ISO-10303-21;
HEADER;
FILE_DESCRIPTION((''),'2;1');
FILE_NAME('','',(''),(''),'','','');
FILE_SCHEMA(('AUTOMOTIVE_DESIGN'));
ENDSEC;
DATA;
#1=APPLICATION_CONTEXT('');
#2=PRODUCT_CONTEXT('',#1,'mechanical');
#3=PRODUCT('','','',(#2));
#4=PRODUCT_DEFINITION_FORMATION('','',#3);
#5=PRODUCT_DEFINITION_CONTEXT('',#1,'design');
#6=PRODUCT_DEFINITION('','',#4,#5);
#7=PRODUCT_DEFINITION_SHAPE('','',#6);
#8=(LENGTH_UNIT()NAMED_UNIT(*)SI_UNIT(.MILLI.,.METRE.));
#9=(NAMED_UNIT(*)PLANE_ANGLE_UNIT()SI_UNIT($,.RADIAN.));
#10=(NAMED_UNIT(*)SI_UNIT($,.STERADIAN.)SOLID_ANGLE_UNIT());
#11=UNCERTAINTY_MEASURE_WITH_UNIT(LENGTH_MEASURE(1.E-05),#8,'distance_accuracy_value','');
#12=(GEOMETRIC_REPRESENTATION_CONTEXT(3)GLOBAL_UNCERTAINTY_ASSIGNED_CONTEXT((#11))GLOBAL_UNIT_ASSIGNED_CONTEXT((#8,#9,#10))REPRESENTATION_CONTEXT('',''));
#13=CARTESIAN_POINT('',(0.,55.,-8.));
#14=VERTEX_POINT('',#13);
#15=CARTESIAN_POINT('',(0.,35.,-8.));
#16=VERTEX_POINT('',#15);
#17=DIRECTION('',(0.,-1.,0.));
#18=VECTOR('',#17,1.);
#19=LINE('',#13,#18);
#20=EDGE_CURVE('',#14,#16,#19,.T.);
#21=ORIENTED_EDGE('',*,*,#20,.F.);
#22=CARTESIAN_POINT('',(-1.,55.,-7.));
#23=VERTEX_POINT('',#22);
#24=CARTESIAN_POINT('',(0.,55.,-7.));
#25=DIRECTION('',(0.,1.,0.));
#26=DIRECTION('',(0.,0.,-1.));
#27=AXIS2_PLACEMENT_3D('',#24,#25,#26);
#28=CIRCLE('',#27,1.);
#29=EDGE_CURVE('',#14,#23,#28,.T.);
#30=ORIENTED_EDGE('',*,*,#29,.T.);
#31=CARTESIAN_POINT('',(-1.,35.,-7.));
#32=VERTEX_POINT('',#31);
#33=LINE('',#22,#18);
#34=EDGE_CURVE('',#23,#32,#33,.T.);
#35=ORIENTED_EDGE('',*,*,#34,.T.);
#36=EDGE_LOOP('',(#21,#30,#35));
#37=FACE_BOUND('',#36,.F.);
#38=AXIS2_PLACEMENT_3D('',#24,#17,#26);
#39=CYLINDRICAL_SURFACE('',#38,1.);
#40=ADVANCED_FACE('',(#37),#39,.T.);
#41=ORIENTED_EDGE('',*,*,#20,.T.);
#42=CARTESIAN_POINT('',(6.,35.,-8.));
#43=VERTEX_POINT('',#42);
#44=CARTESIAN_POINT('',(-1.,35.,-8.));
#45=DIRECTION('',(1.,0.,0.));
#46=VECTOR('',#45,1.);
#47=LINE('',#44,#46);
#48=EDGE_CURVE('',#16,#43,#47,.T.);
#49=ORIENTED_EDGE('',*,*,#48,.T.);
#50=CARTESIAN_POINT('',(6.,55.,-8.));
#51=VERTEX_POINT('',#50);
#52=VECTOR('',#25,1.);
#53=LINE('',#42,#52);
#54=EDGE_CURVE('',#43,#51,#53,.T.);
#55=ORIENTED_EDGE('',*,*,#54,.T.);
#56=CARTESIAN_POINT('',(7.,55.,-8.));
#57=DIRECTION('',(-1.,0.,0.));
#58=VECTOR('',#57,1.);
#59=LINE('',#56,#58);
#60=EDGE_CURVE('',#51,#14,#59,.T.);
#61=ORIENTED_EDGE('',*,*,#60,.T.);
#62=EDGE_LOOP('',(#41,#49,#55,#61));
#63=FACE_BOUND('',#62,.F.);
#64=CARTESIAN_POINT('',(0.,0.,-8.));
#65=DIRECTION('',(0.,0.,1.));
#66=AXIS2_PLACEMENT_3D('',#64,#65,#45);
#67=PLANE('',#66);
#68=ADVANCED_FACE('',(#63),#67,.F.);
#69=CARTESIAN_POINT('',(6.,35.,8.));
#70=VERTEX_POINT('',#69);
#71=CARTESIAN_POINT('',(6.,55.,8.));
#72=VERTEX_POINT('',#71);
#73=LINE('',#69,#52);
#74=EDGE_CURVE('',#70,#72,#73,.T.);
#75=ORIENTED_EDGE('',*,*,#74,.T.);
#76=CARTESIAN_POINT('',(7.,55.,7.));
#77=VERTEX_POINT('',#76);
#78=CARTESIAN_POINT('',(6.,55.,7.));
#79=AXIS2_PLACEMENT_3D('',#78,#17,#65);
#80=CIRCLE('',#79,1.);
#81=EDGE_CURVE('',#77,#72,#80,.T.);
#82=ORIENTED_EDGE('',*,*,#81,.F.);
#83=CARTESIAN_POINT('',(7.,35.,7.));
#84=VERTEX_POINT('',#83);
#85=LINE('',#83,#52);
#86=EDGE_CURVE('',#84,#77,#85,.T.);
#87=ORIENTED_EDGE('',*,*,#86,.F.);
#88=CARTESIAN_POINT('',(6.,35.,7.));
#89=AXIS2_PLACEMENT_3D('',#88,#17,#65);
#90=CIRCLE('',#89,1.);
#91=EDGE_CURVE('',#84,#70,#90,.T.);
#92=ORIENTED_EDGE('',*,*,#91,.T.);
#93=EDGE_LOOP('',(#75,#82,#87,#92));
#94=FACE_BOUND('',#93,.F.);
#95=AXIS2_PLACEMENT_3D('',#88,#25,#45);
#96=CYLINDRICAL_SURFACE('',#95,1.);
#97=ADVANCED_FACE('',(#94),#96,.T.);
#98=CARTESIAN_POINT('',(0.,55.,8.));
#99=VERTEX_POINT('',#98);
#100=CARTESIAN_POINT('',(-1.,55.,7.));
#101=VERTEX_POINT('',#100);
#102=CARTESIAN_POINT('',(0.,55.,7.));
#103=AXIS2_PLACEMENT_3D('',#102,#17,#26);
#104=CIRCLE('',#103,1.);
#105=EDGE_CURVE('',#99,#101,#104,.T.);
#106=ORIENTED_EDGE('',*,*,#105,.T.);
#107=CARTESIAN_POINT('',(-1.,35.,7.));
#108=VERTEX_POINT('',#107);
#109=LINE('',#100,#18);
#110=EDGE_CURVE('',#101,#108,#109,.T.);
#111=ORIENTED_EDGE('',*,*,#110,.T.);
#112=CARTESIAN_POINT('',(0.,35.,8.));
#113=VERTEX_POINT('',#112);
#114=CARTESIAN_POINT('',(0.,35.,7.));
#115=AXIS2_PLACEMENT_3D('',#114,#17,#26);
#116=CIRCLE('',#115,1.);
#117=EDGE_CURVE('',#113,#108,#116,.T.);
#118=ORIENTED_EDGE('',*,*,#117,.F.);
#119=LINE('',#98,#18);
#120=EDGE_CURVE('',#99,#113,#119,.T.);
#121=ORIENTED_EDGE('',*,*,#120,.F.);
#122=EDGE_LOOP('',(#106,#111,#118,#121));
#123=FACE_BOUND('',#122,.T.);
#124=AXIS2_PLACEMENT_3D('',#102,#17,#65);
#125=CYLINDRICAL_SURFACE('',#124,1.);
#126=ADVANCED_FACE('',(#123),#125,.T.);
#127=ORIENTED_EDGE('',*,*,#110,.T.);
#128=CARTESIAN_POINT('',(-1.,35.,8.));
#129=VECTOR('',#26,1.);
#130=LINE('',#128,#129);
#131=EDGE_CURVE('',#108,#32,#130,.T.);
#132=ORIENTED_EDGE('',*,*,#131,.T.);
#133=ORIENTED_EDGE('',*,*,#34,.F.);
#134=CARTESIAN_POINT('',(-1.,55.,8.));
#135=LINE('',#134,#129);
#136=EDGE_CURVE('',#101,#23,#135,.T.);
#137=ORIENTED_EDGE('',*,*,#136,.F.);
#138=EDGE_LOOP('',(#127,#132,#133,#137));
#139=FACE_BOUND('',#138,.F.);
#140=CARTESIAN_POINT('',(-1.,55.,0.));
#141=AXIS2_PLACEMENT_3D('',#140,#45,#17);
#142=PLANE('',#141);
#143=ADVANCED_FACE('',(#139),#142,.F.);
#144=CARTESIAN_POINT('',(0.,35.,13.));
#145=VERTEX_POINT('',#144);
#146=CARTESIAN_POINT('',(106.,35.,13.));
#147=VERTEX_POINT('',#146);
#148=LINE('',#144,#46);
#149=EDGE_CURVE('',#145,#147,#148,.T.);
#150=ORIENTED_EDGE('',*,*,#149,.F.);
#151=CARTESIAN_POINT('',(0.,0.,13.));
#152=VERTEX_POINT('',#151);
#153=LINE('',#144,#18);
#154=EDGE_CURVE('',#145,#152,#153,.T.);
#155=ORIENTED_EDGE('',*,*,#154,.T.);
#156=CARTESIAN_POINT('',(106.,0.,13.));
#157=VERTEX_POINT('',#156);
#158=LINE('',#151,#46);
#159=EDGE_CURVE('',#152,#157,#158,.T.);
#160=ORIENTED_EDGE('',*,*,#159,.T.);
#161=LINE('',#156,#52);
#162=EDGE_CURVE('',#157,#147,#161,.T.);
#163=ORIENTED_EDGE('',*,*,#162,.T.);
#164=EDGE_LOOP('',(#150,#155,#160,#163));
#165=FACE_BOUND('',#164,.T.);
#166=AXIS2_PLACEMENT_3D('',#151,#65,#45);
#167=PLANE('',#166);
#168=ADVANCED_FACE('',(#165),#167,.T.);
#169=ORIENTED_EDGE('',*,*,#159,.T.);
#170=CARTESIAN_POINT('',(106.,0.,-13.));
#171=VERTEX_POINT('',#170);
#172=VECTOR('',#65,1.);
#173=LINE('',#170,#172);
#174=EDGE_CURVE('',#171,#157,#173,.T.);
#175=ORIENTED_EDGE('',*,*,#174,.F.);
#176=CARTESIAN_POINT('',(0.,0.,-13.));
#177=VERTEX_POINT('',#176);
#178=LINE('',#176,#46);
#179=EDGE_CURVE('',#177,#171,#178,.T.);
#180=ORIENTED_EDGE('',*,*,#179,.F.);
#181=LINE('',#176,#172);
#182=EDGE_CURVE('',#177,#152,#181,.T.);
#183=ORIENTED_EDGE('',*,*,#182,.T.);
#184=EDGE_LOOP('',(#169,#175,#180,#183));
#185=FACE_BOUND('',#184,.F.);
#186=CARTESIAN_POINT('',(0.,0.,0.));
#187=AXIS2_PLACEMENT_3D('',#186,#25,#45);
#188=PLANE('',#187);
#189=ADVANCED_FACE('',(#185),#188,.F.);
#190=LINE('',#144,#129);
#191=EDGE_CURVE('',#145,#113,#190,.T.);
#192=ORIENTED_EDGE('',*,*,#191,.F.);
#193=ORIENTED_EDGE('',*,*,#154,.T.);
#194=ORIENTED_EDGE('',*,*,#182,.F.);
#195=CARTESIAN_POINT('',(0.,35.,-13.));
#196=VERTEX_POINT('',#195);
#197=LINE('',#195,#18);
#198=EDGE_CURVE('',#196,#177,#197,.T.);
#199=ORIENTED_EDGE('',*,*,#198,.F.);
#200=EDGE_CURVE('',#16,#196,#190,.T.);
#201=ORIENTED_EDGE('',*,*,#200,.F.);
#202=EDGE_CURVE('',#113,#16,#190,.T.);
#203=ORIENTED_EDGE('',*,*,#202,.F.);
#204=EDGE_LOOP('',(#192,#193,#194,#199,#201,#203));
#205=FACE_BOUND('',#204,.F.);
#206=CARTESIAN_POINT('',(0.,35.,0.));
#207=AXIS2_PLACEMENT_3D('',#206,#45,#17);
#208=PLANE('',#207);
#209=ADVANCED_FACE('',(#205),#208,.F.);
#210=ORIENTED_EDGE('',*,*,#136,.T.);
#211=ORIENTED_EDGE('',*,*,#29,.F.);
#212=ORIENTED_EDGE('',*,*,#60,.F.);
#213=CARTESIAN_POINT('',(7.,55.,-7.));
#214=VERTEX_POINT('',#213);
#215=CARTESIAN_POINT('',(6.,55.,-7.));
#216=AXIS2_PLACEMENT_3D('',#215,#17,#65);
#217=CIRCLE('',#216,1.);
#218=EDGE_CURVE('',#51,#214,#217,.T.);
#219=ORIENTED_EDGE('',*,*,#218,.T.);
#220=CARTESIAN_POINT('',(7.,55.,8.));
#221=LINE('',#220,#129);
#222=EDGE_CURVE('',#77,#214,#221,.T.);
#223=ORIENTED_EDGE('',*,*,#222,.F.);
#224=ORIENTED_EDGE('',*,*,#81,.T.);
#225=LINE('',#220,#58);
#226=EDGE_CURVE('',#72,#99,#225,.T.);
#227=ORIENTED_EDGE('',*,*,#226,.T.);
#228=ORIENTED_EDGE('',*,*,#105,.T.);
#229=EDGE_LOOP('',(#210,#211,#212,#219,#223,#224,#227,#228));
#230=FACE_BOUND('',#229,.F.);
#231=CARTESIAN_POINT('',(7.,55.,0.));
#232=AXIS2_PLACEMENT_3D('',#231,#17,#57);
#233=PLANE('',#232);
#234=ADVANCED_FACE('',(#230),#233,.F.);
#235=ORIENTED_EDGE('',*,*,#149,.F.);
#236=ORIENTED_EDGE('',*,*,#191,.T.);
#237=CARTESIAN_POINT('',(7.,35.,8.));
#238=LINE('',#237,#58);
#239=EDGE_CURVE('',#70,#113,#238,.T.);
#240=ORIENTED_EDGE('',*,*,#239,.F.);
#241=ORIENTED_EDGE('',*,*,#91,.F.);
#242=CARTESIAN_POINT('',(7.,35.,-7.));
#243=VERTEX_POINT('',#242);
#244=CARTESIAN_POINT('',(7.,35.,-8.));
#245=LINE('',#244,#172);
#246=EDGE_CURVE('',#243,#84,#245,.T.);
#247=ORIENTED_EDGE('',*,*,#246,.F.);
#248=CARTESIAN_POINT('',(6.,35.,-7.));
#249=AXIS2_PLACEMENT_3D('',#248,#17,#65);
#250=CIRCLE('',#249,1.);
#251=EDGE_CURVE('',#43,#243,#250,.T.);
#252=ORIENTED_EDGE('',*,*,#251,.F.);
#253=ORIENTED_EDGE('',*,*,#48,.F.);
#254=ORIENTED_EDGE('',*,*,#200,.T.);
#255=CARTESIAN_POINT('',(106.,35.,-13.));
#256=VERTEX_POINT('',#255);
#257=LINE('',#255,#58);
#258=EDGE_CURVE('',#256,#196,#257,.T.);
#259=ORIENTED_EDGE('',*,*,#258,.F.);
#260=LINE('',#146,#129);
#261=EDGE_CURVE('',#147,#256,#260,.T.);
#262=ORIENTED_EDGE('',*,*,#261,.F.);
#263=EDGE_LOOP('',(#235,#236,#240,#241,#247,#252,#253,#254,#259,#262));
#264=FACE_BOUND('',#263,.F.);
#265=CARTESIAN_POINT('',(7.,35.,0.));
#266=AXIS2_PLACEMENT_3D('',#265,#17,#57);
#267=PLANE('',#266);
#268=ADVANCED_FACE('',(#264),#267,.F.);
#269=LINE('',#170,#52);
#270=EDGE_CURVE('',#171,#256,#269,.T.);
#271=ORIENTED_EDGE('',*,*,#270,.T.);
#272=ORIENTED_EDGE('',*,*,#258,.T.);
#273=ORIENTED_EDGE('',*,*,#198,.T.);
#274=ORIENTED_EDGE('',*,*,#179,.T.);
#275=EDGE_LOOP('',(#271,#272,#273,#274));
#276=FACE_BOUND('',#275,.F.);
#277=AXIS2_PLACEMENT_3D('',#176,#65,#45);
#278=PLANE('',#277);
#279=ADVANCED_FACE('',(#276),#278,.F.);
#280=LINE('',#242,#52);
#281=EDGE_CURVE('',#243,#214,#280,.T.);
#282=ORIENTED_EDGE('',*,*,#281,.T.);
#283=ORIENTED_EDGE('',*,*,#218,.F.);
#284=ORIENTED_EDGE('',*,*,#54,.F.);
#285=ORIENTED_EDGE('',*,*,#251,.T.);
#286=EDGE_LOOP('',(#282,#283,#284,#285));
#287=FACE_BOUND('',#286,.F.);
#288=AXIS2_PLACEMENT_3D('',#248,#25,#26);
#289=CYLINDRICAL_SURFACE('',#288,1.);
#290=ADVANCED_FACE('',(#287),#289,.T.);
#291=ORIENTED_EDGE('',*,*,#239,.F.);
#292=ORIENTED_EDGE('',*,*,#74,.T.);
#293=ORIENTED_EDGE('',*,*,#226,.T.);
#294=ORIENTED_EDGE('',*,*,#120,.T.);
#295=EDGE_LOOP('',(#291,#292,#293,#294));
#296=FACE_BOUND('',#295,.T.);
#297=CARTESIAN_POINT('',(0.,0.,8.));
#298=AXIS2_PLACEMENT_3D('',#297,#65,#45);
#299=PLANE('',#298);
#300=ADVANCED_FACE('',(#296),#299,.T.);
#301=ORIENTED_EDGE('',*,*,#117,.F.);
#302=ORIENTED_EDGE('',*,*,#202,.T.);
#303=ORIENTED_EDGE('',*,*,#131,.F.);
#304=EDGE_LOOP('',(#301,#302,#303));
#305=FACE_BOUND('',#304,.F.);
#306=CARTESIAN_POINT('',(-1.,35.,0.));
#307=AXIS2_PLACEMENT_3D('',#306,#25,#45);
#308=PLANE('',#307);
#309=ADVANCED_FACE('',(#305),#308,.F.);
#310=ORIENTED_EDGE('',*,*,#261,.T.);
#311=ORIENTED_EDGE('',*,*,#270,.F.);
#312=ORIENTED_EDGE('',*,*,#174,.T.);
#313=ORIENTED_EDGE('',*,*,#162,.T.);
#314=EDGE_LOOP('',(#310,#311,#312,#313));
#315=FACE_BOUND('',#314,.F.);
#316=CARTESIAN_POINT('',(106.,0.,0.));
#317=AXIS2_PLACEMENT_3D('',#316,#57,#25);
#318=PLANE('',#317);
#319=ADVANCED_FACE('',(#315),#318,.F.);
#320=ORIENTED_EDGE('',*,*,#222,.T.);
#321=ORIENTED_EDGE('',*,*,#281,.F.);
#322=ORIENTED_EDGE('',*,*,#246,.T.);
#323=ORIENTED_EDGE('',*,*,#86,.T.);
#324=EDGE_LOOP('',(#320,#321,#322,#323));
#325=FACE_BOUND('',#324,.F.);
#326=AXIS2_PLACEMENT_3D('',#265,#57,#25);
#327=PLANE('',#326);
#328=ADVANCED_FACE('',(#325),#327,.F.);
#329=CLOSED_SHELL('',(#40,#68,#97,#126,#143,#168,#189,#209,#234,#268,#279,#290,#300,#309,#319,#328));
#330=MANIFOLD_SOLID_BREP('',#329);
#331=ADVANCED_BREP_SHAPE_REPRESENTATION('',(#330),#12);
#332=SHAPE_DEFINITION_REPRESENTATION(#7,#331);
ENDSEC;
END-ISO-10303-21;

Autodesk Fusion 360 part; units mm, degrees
sketch "Sketch1" plane through (0, 0, 0) normal (0, 0, 1) x (1, 0, 0)
  line L0 (0, 0) -> (106, 0)
  line L1 (106, 0) -> (106, 35)
  line L2 (106, 35) -> (0, 35)
  line L3 (0, 35) -> (0, 0)
  line L4 (-1, 35) -> (7, 35)
  line L5 (7, 35) -> (7, 55)
  line L6 (7, 55) -> (-1, 55)
  line L7 (-1, 55) -> (-1, 35)
  dimension "d1" = 106
  dimension "d2" = 35
  dimension "d3" = 8
  dimension "d4" = 20
  dimension "d5" = 1
extrude "Extrude1" add sketch "Sketch1" along normal mid plane 26 contours L0 L1 L2 L3 L4
extrude "Extrude2" add sketch "Sketch1" along normal mid plane 16 contours L2 L4 L5 L6 L7
fillet "Fillet1" radius 1 4 edges at (7, 45, 8) (-1, 45, 8) (-1, 45, -8) (7, 45, -8)
